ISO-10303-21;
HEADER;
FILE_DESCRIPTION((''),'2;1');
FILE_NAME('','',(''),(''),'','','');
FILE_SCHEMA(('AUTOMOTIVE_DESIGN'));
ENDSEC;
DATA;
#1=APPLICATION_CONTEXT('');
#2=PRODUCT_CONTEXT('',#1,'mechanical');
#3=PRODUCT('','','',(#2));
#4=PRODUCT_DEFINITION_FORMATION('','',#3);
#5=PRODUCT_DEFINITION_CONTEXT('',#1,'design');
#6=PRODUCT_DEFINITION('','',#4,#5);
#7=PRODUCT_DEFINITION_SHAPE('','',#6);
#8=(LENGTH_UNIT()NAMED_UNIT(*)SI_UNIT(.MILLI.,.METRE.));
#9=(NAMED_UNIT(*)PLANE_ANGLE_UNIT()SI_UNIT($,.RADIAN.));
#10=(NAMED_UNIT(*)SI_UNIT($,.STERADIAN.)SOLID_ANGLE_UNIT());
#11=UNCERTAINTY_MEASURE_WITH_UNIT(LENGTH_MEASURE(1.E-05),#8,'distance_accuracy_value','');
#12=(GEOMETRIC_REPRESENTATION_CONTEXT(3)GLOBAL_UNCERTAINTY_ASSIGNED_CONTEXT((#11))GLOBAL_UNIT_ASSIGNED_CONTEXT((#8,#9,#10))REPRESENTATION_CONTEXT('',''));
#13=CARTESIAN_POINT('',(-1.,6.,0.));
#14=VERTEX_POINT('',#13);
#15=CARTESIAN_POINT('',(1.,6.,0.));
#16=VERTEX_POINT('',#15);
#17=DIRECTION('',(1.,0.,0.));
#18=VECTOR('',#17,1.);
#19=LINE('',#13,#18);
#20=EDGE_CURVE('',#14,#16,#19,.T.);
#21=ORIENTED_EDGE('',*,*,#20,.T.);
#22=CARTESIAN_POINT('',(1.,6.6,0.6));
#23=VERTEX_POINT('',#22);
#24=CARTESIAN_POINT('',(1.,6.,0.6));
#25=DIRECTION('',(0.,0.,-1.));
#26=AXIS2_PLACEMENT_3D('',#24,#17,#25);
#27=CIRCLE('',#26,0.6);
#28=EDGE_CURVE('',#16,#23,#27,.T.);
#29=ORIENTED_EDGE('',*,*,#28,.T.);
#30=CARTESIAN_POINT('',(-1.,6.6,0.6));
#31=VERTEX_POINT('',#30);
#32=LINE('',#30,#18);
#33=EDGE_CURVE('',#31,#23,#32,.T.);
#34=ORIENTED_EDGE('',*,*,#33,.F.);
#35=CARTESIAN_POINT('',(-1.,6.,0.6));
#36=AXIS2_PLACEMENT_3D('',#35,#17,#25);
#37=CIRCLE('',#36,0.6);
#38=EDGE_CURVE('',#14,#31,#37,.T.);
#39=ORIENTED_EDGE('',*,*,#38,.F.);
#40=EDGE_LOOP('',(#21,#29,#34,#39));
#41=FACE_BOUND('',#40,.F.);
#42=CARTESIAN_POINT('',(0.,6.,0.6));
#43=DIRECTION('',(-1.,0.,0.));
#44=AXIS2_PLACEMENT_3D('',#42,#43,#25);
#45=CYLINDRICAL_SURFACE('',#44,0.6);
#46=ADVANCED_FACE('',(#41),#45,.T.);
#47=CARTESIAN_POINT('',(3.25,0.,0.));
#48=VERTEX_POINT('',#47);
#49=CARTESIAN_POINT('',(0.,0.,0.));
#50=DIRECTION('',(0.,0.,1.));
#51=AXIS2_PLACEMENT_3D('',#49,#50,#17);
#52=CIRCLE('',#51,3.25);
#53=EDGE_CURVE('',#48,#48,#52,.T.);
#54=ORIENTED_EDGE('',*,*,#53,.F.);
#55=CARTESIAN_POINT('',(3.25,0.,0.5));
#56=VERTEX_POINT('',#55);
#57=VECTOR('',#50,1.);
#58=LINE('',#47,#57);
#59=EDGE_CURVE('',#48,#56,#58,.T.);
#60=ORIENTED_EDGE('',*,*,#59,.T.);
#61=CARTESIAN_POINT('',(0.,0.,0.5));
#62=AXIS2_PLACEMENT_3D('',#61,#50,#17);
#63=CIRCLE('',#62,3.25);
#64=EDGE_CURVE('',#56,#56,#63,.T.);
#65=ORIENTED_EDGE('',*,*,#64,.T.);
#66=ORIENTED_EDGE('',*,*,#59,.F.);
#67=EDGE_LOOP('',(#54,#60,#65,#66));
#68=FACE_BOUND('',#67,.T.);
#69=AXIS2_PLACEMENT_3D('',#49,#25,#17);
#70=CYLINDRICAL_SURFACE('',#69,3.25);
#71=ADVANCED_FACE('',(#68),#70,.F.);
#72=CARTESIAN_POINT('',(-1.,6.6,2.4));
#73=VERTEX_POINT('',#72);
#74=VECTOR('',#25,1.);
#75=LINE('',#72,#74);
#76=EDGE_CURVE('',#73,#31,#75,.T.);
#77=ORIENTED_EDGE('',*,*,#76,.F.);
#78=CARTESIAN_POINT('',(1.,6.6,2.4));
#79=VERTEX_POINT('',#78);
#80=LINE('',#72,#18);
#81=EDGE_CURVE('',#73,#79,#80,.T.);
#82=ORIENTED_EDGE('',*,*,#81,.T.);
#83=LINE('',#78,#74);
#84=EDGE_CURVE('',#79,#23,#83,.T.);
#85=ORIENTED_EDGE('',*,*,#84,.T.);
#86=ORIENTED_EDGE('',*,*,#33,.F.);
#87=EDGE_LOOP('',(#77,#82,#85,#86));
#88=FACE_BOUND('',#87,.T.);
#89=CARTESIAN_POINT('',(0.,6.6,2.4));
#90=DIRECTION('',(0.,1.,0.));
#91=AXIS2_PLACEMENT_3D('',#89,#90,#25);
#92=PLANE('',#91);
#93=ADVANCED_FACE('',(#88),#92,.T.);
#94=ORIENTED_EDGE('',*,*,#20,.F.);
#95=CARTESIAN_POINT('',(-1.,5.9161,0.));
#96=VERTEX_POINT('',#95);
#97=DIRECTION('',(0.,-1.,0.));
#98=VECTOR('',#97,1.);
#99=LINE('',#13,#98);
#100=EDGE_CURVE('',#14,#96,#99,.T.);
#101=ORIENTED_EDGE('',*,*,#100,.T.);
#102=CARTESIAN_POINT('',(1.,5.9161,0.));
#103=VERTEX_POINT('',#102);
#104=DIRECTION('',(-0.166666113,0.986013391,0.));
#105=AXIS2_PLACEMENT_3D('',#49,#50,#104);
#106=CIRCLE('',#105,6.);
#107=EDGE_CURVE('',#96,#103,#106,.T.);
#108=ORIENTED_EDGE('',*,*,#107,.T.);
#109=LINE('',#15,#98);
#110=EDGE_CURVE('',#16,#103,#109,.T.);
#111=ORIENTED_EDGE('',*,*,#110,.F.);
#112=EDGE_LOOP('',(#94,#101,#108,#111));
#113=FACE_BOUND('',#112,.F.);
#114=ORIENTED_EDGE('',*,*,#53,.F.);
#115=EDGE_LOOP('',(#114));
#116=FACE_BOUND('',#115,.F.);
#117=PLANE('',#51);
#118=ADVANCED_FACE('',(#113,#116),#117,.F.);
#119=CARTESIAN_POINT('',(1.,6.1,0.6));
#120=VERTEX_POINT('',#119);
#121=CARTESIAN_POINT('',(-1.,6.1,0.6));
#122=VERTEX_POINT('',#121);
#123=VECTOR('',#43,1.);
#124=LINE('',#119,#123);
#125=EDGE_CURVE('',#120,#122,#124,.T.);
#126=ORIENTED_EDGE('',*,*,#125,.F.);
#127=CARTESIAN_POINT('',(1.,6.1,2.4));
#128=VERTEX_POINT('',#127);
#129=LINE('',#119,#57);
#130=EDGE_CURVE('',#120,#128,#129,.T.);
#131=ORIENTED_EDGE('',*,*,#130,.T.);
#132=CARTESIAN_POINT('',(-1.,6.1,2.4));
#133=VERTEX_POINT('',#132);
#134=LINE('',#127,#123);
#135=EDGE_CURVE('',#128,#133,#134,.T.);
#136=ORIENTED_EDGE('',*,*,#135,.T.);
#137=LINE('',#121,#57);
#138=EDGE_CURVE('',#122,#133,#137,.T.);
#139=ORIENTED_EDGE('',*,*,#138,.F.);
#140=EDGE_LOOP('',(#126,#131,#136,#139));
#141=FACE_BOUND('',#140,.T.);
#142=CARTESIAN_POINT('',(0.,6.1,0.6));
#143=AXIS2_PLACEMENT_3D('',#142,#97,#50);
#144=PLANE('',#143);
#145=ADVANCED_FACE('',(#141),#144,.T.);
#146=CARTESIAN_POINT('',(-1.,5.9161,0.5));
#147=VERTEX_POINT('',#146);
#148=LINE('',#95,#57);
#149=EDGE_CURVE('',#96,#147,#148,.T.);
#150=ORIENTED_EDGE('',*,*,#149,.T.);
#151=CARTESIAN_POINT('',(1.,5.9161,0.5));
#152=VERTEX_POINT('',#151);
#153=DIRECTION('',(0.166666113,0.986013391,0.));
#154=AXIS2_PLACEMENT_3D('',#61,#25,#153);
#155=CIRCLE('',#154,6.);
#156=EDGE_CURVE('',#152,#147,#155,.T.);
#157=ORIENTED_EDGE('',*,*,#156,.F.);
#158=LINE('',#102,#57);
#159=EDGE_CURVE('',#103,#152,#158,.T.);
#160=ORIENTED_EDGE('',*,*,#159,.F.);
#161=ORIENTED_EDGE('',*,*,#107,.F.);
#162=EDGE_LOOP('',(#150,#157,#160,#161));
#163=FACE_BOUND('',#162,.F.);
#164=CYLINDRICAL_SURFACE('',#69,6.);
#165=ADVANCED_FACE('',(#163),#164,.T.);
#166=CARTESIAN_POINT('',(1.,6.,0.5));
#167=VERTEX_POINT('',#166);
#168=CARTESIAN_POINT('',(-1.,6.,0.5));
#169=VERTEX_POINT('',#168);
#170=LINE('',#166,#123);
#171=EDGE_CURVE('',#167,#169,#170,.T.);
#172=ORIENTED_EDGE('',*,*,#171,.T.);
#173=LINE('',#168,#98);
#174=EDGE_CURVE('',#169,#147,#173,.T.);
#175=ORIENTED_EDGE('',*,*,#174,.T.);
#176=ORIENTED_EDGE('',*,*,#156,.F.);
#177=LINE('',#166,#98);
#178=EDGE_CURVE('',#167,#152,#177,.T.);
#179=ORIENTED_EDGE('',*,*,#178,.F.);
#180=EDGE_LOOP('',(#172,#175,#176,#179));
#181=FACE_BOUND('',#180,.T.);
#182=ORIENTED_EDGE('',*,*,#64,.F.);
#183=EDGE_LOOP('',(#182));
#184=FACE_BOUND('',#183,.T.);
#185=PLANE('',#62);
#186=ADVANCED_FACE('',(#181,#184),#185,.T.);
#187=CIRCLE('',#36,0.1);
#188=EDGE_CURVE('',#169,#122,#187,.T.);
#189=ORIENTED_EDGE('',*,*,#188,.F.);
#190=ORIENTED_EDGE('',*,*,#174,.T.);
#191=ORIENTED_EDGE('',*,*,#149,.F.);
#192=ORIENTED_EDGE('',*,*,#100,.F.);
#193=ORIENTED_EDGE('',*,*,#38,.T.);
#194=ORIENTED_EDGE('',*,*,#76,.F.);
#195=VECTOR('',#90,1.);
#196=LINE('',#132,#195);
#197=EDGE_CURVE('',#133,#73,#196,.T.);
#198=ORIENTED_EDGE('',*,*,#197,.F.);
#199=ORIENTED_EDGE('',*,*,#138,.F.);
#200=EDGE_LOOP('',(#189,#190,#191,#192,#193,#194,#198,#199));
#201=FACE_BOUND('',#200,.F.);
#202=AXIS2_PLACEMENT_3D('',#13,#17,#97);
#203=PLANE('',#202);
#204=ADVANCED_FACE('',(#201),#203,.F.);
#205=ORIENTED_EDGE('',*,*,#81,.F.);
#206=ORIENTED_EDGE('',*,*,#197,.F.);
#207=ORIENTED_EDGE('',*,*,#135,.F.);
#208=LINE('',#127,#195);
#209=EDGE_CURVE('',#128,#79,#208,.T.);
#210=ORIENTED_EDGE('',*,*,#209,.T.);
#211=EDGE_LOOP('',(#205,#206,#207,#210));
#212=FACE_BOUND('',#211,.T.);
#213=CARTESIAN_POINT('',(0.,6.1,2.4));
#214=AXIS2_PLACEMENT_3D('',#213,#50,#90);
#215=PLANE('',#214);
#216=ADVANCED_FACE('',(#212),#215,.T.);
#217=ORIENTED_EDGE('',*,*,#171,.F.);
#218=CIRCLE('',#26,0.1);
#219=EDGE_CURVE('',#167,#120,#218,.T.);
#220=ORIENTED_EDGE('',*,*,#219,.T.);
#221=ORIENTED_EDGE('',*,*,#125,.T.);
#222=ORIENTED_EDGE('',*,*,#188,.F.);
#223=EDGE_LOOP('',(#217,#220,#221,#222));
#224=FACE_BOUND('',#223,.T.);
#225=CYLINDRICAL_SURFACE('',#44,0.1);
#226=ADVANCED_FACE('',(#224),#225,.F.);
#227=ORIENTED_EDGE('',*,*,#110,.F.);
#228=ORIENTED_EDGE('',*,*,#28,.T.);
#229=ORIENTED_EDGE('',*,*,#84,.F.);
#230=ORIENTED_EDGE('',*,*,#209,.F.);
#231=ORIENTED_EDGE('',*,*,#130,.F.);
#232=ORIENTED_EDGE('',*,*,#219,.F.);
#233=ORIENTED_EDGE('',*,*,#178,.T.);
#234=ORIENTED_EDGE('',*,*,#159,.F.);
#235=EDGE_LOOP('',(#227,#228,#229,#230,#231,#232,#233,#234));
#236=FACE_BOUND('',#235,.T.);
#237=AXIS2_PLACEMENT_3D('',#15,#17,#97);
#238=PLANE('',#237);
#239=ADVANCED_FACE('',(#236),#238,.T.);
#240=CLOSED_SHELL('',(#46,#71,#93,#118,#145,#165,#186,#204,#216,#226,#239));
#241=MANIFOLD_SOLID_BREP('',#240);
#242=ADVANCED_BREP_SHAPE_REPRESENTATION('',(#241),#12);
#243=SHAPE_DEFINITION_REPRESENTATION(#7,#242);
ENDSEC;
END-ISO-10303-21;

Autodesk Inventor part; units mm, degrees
ref_plane "YZ Plane" through (0, 0, 0) normal (1, 0, 0) x (0, 1, 0)
ref_plane "XZ Plane" through (0, 0, 0) normal (0, 1, 0) x (-1, 0, 0)
ref_plane "XY Plane" through (0, 0, 0) normal (0, 0, 1) x (1, 0, 0)
sketch "Sketch1" plane through (0, 0, 0) normal (0, 0, 1) x (1, 0, 0)
  circle A0 centre (0, 0) radius 6
  circle A1 centre (0, 0) radius 3.25
  dimension "d0" = 12
  dimension "d1" = 6.5
extrude "Extrusion1" add sketch "Sketch1" along normal blind 0.5
sketch "Sketch2" plane through (0, 0, 0) normal (1, 0, 0) x (0, 1, 0)
  line L0 (-6, 0.5) -> (6, 0.5) projected
  line L1 (-6, 0) -> (6, 0) projected
  line L2 (6, 0) -> (6, 0.5) projected
  line L3 (6.1, 0.6) -> (6.1, 2.4)
  line L4 (6.1, 2.4) -> (6.6, 2.4)
  line L5 (6.6, 2.4) -> (6.6, 0.6)
  arc A0 (6, 0.5) -> (6.1, 0.6) centre (6, 0.6) ccw
  arc A1 (6, 0) -> (6.6, 0.6) centre (6, 0.6) ccw
  line L6 (6, 0.5) -> (6, 0)
  point P0 (0, 0)
  dimension "d6" = 0.2
  dimension "d7" = 0.5
  dimension "d8" = 2.4
extrude "Extrusion2" add sketch "Sketch2" along normal mid plane 2
sketch "Sketch3" plane through (0, 0, 0) normal (0, 0, -1) x (-1, 0, 0)
  circle A0 centre (0, 0) radius 6 projected
  line L0 (-1, 6.6) -> (-1, 6) projected
  line L1 (-1, 6) -> (0, 6) projected
  line L2 (0, 6) -> (1, 6) projected
  line L3 (1, 6) -> (1, 6.6) projected
  line L4 (1, 6.6) -> (-1, 6.6) projected
  line L5 (-1, 6) -> (-1, 5.9161)
  line L6 (1, 6) -> (1, 5.9161)
extrude "Extrusion3" add sketch "Sketch3" against normal up to surface (0.5 mm away) contours A0 L2 L6 | L5 L1 A0
properties part number "SPDT Toggle Switch Anti-Rotation Washer"
